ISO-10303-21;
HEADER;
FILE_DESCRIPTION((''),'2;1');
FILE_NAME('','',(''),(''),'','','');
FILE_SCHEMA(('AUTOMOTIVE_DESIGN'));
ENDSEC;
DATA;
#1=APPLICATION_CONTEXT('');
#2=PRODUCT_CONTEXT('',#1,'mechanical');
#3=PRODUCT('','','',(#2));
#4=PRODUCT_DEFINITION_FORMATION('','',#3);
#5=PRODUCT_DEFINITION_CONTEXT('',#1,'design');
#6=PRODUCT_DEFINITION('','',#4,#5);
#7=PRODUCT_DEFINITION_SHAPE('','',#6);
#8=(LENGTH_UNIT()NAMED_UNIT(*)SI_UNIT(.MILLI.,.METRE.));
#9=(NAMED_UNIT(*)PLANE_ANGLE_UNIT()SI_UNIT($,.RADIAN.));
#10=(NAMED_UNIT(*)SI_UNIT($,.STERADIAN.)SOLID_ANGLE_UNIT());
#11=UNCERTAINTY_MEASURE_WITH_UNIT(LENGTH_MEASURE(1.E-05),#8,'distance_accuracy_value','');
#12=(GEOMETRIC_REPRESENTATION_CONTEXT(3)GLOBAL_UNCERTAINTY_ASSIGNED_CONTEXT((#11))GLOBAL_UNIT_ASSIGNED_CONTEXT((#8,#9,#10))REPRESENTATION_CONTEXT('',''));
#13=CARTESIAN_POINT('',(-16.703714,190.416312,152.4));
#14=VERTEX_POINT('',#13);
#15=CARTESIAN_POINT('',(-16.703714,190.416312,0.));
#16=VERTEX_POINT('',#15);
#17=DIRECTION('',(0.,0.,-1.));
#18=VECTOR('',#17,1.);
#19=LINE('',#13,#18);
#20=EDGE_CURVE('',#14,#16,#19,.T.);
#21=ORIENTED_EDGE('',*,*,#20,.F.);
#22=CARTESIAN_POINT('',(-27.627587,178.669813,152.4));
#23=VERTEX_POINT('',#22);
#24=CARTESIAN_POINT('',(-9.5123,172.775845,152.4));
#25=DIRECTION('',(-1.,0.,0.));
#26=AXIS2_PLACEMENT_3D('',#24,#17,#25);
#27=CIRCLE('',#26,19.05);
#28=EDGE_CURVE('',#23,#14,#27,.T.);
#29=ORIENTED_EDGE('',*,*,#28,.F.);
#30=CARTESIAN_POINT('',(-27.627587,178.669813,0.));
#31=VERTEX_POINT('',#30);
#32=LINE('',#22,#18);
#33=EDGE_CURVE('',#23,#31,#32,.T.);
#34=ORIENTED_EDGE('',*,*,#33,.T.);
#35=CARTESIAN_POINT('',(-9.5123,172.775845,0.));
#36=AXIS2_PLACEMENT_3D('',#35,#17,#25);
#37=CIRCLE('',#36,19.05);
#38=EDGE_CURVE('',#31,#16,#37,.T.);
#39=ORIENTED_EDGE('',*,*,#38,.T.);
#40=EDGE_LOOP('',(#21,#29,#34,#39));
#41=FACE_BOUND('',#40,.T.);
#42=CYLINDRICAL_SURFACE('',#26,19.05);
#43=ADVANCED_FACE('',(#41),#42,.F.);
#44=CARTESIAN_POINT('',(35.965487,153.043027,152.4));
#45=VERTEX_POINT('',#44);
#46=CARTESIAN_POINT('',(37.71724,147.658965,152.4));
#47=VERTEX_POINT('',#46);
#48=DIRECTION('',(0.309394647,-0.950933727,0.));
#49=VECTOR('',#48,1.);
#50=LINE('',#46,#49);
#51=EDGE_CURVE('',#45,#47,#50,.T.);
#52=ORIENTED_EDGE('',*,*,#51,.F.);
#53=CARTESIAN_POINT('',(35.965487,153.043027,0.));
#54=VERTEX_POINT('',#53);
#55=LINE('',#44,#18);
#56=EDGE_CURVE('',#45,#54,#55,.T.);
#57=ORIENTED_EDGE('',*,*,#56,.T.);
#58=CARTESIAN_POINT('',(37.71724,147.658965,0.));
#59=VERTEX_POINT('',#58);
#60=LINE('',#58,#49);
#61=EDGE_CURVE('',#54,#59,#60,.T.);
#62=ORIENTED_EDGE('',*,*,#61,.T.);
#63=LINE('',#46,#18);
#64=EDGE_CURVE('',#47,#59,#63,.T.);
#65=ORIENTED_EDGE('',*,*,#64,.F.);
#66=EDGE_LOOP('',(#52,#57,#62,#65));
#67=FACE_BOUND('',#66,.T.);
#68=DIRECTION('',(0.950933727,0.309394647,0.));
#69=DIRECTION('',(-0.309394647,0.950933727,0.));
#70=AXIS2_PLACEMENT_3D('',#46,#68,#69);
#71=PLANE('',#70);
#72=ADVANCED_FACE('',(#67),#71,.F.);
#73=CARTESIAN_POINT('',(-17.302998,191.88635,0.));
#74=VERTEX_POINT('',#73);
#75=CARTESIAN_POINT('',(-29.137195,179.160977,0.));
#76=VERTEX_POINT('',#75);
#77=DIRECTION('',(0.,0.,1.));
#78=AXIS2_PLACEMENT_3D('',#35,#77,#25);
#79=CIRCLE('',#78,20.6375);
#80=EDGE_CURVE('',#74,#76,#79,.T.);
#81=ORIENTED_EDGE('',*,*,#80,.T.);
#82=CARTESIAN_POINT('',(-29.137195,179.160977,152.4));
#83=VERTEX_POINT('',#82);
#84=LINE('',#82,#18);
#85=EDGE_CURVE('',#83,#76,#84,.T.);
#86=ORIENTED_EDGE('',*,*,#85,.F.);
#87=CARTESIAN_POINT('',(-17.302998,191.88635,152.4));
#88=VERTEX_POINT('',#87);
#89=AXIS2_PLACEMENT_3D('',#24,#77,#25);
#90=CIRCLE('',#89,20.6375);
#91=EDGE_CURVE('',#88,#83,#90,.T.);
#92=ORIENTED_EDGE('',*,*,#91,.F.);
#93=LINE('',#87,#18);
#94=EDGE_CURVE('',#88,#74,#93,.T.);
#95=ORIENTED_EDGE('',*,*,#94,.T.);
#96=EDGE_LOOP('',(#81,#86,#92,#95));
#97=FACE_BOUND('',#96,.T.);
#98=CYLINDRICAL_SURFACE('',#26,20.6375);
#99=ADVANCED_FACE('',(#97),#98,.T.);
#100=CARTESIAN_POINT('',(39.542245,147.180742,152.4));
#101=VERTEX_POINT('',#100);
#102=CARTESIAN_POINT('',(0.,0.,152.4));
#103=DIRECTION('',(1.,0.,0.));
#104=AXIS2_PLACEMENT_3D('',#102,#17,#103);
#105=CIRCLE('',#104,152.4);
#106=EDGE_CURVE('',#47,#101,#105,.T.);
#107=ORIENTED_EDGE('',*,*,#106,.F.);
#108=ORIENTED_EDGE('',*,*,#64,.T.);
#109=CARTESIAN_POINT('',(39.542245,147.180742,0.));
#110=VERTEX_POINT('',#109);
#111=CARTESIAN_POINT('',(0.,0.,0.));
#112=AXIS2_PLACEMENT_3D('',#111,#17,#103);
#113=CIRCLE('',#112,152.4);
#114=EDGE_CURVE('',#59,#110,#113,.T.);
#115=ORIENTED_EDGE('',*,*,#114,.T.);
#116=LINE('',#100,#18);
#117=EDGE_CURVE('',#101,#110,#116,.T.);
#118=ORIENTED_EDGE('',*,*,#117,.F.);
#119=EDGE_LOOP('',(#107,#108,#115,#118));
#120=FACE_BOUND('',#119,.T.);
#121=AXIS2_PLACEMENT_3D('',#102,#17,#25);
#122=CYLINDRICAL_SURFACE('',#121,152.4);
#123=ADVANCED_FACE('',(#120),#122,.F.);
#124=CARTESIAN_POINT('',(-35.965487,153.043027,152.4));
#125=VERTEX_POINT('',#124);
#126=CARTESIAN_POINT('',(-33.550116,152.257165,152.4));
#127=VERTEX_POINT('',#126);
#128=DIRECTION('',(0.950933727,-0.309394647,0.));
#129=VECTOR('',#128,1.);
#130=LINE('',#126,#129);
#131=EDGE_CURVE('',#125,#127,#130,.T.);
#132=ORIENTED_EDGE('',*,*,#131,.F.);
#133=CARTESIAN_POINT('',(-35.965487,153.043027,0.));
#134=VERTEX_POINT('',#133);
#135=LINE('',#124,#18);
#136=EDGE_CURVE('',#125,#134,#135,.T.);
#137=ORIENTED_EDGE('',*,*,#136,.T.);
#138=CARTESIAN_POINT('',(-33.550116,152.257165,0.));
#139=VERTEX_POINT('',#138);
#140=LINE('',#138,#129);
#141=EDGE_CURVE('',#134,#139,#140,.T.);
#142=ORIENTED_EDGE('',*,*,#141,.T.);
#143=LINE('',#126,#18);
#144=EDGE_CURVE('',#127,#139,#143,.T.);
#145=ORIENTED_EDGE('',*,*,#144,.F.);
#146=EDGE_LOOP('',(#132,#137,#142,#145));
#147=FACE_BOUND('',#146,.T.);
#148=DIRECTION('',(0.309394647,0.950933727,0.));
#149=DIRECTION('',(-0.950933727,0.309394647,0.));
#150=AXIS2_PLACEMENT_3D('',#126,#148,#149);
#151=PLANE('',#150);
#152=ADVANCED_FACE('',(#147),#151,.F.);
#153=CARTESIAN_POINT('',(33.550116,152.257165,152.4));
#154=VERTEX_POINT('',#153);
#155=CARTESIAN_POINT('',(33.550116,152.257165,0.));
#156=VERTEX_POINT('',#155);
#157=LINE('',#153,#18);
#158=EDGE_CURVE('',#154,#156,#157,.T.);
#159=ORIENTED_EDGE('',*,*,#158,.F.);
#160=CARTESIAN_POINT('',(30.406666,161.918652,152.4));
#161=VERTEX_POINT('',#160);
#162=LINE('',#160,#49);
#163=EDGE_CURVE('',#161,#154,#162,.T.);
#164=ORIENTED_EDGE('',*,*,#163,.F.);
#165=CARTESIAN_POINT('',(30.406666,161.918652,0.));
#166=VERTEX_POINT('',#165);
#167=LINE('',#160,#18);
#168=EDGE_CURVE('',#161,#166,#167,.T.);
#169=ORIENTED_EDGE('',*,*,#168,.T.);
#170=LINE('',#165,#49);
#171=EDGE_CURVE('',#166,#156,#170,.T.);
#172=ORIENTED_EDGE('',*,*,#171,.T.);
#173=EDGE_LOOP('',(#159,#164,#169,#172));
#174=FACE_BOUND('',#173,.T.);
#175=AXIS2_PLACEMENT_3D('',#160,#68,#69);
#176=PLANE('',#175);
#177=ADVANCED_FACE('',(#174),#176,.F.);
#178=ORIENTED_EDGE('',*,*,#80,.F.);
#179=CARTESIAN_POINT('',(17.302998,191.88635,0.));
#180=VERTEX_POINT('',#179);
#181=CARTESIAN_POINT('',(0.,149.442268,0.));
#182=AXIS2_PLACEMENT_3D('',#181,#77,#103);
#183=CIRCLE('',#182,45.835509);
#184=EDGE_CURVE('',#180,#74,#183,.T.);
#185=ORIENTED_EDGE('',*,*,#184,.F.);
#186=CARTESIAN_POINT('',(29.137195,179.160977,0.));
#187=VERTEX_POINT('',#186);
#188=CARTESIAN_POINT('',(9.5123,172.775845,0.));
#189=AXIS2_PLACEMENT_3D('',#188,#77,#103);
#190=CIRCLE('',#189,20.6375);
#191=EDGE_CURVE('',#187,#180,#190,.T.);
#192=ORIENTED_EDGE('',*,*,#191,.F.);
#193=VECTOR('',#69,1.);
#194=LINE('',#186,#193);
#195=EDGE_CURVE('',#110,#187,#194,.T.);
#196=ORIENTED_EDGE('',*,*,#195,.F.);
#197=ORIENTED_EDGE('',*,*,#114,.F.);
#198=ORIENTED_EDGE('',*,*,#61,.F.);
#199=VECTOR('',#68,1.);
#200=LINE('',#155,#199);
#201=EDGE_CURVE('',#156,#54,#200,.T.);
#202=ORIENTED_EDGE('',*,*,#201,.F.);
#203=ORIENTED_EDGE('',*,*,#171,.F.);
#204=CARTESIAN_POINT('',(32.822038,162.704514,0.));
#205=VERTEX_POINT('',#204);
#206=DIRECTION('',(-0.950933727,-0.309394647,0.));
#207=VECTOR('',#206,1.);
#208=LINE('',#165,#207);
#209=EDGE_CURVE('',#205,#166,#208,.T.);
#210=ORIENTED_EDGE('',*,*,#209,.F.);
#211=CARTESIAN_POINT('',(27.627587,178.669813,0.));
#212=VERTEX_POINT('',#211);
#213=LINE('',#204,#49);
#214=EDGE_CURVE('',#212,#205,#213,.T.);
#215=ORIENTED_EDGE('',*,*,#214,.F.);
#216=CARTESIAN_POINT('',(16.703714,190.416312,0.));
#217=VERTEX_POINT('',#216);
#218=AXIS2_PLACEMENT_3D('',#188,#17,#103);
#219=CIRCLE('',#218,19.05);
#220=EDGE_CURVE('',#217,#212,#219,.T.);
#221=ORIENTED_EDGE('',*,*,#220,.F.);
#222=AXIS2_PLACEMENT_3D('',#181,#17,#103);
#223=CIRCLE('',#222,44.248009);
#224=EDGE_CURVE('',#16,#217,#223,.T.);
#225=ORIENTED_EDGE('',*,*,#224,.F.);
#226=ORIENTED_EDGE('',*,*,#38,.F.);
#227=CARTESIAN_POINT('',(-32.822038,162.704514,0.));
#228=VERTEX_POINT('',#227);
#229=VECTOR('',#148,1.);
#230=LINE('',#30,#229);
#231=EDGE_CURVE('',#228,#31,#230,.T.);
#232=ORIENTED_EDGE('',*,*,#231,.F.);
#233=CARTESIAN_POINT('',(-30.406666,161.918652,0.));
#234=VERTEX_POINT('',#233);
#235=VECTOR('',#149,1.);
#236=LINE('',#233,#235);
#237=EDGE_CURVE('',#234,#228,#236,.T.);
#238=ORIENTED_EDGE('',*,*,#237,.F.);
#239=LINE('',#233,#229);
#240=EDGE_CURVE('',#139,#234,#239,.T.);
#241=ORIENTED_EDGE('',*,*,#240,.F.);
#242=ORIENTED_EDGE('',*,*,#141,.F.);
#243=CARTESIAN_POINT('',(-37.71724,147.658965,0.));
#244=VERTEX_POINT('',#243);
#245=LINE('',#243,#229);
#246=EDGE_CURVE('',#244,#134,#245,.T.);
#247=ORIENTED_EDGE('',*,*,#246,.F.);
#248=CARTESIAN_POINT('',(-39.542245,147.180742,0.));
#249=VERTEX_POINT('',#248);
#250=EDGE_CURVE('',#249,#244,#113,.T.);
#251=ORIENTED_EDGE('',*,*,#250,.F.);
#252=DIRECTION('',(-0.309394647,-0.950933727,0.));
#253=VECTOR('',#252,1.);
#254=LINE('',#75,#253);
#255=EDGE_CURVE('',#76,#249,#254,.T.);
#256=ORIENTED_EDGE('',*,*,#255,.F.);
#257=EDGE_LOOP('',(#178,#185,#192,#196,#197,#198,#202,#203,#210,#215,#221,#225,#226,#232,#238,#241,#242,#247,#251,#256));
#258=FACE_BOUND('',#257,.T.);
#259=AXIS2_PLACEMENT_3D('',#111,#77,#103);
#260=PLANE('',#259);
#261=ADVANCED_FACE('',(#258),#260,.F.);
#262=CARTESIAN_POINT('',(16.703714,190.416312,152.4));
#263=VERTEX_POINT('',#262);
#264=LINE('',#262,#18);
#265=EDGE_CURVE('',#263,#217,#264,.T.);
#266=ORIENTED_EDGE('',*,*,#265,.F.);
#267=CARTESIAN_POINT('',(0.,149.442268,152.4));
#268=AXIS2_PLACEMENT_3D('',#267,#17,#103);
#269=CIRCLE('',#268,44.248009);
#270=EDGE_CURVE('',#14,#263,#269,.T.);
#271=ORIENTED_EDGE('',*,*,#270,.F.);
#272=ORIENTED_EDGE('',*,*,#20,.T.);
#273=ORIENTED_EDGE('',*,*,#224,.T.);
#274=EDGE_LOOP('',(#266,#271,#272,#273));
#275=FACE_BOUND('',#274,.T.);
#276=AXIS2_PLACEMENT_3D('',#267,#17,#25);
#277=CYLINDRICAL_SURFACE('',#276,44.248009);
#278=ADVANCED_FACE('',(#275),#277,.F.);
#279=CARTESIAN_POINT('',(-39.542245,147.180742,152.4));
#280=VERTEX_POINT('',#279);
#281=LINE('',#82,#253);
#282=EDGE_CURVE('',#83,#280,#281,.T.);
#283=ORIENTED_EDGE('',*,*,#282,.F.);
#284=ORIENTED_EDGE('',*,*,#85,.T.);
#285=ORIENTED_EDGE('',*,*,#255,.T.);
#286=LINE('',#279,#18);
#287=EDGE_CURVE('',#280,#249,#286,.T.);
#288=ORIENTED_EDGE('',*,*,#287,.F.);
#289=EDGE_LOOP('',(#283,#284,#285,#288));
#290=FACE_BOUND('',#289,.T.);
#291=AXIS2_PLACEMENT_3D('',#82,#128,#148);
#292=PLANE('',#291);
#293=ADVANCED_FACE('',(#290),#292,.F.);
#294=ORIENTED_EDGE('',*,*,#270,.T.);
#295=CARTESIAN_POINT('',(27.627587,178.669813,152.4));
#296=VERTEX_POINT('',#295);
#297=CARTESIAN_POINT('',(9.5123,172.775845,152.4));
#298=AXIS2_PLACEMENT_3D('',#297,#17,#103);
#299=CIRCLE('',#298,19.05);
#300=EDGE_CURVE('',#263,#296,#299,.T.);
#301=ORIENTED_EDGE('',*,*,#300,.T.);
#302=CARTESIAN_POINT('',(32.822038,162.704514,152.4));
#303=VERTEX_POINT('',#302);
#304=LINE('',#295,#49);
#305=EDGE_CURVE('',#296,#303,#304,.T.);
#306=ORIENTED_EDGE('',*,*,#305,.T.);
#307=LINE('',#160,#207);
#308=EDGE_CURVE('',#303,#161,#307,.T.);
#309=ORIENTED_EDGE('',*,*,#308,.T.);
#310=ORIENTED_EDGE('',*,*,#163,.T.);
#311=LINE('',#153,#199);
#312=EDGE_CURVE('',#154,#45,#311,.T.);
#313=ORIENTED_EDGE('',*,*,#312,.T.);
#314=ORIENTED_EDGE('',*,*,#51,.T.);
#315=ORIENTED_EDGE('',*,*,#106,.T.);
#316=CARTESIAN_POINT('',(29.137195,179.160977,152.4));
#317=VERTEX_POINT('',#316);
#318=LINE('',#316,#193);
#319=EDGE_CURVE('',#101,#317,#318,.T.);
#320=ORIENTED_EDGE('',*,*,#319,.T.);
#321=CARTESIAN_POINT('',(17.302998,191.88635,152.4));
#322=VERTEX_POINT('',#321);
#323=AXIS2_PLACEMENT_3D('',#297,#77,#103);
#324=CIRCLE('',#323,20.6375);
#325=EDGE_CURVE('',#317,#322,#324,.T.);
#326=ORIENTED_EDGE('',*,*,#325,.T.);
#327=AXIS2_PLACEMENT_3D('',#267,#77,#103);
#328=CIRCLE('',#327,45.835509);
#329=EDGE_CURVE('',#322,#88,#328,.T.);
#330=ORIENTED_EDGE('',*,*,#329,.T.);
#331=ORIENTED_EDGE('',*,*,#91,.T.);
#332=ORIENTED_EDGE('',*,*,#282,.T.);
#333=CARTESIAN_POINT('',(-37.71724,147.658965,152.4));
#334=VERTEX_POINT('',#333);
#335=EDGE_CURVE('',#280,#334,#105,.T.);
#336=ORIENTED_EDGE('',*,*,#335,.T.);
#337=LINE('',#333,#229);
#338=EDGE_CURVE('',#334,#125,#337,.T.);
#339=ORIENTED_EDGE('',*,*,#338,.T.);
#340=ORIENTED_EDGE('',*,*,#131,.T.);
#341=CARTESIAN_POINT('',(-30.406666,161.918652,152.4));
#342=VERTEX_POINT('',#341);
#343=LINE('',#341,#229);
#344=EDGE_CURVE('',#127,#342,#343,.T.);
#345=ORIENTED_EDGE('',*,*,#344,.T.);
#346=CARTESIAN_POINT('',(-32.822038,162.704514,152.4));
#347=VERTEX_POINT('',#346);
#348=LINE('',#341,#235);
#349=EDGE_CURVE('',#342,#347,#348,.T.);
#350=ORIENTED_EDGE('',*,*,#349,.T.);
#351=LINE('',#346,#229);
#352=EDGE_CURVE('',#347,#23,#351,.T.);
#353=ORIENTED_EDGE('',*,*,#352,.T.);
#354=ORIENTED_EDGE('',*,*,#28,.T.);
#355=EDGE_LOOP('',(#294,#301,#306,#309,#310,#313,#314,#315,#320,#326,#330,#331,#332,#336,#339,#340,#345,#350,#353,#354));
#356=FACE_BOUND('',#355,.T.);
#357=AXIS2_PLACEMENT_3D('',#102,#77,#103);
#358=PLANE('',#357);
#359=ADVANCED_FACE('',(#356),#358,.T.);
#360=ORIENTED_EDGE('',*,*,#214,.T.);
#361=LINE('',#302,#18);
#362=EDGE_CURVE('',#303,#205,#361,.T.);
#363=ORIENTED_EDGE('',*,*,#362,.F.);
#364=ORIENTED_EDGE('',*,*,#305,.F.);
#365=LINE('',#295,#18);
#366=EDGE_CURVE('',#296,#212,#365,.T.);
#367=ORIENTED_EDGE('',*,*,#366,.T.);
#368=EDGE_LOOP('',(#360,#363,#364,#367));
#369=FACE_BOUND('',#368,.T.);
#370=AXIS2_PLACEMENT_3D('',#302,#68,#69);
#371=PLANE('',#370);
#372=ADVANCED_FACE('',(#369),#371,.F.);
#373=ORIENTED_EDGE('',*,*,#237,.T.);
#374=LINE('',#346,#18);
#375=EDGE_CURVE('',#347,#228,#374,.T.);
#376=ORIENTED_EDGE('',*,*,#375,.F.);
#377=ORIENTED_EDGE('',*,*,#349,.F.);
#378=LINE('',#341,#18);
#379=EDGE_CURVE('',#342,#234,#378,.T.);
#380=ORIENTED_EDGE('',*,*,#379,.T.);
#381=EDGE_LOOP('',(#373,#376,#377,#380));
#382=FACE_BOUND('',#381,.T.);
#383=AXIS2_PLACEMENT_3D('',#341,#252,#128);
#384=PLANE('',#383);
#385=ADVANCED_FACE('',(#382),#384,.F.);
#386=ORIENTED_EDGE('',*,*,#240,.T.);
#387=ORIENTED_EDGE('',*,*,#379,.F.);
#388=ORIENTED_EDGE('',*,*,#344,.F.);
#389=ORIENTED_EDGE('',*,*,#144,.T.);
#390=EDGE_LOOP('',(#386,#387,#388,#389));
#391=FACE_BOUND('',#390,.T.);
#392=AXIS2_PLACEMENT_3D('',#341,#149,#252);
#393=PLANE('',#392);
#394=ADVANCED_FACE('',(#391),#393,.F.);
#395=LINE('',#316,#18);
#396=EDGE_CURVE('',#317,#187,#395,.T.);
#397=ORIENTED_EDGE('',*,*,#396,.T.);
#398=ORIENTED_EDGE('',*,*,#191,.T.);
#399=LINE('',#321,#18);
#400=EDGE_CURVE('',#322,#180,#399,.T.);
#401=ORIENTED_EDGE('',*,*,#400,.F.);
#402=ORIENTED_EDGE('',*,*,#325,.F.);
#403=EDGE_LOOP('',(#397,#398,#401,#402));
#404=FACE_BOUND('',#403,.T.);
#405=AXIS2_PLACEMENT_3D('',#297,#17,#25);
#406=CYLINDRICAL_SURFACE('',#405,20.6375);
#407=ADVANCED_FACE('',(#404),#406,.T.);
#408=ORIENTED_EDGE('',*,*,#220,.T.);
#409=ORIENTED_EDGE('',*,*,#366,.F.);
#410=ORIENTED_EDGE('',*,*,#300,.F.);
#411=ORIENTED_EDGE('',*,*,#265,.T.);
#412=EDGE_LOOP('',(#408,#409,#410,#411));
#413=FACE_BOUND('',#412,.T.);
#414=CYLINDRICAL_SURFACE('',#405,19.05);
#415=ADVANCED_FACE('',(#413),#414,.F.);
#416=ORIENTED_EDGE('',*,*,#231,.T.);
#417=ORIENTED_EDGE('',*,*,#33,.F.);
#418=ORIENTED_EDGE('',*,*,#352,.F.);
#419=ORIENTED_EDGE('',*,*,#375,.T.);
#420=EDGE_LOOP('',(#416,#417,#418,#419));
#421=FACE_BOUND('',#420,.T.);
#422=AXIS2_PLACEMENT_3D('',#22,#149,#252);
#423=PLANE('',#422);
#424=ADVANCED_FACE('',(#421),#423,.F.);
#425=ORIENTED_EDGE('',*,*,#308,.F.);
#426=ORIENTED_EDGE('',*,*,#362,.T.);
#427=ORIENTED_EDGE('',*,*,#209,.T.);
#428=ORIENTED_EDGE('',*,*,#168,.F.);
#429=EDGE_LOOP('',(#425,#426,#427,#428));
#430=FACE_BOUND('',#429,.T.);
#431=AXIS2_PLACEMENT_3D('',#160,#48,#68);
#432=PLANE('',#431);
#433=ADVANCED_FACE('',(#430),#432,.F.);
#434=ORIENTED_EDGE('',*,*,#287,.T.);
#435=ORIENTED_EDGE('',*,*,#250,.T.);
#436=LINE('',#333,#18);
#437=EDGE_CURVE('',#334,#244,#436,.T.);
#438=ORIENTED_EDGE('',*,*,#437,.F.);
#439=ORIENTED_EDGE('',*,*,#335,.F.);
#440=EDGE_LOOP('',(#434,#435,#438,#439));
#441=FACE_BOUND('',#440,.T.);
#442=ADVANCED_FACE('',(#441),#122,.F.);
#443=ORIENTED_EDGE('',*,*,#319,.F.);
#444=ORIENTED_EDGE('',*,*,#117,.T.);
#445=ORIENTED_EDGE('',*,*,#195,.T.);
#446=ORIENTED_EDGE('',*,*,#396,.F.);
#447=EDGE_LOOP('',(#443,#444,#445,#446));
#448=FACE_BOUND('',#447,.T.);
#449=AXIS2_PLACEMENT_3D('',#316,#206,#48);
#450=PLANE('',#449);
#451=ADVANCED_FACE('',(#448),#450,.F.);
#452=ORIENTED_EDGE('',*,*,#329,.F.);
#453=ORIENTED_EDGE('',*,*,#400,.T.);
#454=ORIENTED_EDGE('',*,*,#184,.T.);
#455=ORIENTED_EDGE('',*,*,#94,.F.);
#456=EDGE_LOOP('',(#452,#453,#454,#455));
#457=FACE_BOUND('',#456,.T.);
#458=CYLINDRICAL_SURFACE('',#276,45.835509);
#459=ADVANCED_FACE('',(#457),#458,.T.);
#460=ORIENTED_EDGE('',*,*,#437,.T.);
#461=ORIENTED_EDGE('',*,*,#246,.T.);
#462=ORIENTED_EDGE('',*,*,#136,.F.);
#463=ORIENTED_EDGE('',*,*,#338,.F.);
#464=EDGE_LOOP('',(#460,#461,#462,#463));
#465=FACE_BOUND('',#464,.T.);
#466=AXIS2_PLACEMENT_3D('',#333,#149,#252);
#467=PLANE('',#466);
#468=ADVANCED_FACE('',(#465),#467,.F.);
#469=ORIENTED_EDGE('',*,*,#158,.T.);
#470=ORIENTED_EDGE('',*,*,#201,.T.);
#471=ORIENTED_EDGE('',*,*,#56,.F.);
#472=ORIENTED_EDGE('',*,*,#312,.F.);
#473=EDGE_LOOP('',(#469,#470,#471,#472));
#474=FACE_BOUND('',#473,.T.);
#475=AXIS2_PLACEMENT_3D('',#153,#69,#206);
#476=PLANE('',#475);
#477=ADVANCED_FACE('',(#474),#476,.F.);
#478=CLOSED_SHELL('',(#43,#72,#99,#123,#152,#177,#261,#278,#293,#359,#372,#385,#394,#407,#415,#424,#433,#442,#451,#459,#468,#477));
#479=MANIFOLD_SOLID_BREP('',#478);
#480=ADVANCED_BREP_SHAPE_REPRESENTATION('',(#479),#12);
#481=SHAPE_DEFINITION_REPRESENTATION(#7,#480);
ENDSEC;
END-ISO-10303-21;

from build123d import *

# Parameters (mm, degrees)
BOSS_EXTRUDE2_DEPTH = 152.4


with BuildPart() as part:
    # Sketch1 → Boss-Extrude2 (new body)
    with BuildSketch(Plane.XY):
        with BuildLine():
            Line((37.717239544, 147.658964649), (35.965487423, 153.043027332))
            Line((35.965487423, 153.043027332), (33.550115758, 152.257164929))
            Line((33.550115758, 152.257164929), (30.406666146, 161.918651592))
            Line((30.406666146, 161.918651592), (32.822037812, 162.704513995))
            Line((32.822037812, 162.704513995), (32.036175409, 165.119885661))
            Line((32.036175409, 165.119885661), (27.627587493, 178.669812847))
            ThreePointArc((27.627587493, 178.669812847), (23.462294361, 185.748899875), (16.703713988, 190.41631151))
            ThreePointArc((16.703713988, 190.41631151), (0, 193.690277018), (-16.703713988, 190.41631151))
            ThreePointArc((-16.703713988, 190.41631151), (-23.462294361, 185.748899875), (-27.627587493, 178.669812847))
            Line((-27.627587493, 178.669812847), (-32.036175409, 165.119885661))
            Line((-32.036175409, 165.119885661), (-32.822037812, 162.704513995))
            Line((-32.822037812, 162.704513995), (-30.406666146, 161.918651592))
            Line((-30.406666146, 161.918651592), (-33.550115758, 152.257164929))
            Line((-33.550115758, 152.257164929), (-35.965487423, 153.043027332))
            Line((-35.965487423, 153.043027332), (-37.717239544, 147.658964649))
            ThreePointArc((-37.717239544, 147.658964649), (-38.630482432, 147.422677452), (-39.542245278, 147.180742077))
            Line((-39.542245278, 147.180742077), (-29.137194784, 179.160976849))
            ThreePointArc((-29.137194784, 179.160976849), (-24.624793891, 186.829987796), (-17.302998471, 191.886350359))
            ThreePointArc((-17.302998471, 191.886350359), (0, 195.277776974), (17.302998471, 191.886350359))
            ThreePointArc((17.302998471, 191.886350359), (24.624793891, 186.829987796), (29.137194784, 179.160976849))
            Line((29.137194784, 179.160976849), (39.542245278, 147.180742077))
            ThreePointArc((39.542245278, 147.180742077), (38.630482432, 147.422677452), (37.717239544, 147.658964649))
        make_face()
    extrude(amount=BOSS_EXTRUDE2_DEPTH)


solid = part.part
